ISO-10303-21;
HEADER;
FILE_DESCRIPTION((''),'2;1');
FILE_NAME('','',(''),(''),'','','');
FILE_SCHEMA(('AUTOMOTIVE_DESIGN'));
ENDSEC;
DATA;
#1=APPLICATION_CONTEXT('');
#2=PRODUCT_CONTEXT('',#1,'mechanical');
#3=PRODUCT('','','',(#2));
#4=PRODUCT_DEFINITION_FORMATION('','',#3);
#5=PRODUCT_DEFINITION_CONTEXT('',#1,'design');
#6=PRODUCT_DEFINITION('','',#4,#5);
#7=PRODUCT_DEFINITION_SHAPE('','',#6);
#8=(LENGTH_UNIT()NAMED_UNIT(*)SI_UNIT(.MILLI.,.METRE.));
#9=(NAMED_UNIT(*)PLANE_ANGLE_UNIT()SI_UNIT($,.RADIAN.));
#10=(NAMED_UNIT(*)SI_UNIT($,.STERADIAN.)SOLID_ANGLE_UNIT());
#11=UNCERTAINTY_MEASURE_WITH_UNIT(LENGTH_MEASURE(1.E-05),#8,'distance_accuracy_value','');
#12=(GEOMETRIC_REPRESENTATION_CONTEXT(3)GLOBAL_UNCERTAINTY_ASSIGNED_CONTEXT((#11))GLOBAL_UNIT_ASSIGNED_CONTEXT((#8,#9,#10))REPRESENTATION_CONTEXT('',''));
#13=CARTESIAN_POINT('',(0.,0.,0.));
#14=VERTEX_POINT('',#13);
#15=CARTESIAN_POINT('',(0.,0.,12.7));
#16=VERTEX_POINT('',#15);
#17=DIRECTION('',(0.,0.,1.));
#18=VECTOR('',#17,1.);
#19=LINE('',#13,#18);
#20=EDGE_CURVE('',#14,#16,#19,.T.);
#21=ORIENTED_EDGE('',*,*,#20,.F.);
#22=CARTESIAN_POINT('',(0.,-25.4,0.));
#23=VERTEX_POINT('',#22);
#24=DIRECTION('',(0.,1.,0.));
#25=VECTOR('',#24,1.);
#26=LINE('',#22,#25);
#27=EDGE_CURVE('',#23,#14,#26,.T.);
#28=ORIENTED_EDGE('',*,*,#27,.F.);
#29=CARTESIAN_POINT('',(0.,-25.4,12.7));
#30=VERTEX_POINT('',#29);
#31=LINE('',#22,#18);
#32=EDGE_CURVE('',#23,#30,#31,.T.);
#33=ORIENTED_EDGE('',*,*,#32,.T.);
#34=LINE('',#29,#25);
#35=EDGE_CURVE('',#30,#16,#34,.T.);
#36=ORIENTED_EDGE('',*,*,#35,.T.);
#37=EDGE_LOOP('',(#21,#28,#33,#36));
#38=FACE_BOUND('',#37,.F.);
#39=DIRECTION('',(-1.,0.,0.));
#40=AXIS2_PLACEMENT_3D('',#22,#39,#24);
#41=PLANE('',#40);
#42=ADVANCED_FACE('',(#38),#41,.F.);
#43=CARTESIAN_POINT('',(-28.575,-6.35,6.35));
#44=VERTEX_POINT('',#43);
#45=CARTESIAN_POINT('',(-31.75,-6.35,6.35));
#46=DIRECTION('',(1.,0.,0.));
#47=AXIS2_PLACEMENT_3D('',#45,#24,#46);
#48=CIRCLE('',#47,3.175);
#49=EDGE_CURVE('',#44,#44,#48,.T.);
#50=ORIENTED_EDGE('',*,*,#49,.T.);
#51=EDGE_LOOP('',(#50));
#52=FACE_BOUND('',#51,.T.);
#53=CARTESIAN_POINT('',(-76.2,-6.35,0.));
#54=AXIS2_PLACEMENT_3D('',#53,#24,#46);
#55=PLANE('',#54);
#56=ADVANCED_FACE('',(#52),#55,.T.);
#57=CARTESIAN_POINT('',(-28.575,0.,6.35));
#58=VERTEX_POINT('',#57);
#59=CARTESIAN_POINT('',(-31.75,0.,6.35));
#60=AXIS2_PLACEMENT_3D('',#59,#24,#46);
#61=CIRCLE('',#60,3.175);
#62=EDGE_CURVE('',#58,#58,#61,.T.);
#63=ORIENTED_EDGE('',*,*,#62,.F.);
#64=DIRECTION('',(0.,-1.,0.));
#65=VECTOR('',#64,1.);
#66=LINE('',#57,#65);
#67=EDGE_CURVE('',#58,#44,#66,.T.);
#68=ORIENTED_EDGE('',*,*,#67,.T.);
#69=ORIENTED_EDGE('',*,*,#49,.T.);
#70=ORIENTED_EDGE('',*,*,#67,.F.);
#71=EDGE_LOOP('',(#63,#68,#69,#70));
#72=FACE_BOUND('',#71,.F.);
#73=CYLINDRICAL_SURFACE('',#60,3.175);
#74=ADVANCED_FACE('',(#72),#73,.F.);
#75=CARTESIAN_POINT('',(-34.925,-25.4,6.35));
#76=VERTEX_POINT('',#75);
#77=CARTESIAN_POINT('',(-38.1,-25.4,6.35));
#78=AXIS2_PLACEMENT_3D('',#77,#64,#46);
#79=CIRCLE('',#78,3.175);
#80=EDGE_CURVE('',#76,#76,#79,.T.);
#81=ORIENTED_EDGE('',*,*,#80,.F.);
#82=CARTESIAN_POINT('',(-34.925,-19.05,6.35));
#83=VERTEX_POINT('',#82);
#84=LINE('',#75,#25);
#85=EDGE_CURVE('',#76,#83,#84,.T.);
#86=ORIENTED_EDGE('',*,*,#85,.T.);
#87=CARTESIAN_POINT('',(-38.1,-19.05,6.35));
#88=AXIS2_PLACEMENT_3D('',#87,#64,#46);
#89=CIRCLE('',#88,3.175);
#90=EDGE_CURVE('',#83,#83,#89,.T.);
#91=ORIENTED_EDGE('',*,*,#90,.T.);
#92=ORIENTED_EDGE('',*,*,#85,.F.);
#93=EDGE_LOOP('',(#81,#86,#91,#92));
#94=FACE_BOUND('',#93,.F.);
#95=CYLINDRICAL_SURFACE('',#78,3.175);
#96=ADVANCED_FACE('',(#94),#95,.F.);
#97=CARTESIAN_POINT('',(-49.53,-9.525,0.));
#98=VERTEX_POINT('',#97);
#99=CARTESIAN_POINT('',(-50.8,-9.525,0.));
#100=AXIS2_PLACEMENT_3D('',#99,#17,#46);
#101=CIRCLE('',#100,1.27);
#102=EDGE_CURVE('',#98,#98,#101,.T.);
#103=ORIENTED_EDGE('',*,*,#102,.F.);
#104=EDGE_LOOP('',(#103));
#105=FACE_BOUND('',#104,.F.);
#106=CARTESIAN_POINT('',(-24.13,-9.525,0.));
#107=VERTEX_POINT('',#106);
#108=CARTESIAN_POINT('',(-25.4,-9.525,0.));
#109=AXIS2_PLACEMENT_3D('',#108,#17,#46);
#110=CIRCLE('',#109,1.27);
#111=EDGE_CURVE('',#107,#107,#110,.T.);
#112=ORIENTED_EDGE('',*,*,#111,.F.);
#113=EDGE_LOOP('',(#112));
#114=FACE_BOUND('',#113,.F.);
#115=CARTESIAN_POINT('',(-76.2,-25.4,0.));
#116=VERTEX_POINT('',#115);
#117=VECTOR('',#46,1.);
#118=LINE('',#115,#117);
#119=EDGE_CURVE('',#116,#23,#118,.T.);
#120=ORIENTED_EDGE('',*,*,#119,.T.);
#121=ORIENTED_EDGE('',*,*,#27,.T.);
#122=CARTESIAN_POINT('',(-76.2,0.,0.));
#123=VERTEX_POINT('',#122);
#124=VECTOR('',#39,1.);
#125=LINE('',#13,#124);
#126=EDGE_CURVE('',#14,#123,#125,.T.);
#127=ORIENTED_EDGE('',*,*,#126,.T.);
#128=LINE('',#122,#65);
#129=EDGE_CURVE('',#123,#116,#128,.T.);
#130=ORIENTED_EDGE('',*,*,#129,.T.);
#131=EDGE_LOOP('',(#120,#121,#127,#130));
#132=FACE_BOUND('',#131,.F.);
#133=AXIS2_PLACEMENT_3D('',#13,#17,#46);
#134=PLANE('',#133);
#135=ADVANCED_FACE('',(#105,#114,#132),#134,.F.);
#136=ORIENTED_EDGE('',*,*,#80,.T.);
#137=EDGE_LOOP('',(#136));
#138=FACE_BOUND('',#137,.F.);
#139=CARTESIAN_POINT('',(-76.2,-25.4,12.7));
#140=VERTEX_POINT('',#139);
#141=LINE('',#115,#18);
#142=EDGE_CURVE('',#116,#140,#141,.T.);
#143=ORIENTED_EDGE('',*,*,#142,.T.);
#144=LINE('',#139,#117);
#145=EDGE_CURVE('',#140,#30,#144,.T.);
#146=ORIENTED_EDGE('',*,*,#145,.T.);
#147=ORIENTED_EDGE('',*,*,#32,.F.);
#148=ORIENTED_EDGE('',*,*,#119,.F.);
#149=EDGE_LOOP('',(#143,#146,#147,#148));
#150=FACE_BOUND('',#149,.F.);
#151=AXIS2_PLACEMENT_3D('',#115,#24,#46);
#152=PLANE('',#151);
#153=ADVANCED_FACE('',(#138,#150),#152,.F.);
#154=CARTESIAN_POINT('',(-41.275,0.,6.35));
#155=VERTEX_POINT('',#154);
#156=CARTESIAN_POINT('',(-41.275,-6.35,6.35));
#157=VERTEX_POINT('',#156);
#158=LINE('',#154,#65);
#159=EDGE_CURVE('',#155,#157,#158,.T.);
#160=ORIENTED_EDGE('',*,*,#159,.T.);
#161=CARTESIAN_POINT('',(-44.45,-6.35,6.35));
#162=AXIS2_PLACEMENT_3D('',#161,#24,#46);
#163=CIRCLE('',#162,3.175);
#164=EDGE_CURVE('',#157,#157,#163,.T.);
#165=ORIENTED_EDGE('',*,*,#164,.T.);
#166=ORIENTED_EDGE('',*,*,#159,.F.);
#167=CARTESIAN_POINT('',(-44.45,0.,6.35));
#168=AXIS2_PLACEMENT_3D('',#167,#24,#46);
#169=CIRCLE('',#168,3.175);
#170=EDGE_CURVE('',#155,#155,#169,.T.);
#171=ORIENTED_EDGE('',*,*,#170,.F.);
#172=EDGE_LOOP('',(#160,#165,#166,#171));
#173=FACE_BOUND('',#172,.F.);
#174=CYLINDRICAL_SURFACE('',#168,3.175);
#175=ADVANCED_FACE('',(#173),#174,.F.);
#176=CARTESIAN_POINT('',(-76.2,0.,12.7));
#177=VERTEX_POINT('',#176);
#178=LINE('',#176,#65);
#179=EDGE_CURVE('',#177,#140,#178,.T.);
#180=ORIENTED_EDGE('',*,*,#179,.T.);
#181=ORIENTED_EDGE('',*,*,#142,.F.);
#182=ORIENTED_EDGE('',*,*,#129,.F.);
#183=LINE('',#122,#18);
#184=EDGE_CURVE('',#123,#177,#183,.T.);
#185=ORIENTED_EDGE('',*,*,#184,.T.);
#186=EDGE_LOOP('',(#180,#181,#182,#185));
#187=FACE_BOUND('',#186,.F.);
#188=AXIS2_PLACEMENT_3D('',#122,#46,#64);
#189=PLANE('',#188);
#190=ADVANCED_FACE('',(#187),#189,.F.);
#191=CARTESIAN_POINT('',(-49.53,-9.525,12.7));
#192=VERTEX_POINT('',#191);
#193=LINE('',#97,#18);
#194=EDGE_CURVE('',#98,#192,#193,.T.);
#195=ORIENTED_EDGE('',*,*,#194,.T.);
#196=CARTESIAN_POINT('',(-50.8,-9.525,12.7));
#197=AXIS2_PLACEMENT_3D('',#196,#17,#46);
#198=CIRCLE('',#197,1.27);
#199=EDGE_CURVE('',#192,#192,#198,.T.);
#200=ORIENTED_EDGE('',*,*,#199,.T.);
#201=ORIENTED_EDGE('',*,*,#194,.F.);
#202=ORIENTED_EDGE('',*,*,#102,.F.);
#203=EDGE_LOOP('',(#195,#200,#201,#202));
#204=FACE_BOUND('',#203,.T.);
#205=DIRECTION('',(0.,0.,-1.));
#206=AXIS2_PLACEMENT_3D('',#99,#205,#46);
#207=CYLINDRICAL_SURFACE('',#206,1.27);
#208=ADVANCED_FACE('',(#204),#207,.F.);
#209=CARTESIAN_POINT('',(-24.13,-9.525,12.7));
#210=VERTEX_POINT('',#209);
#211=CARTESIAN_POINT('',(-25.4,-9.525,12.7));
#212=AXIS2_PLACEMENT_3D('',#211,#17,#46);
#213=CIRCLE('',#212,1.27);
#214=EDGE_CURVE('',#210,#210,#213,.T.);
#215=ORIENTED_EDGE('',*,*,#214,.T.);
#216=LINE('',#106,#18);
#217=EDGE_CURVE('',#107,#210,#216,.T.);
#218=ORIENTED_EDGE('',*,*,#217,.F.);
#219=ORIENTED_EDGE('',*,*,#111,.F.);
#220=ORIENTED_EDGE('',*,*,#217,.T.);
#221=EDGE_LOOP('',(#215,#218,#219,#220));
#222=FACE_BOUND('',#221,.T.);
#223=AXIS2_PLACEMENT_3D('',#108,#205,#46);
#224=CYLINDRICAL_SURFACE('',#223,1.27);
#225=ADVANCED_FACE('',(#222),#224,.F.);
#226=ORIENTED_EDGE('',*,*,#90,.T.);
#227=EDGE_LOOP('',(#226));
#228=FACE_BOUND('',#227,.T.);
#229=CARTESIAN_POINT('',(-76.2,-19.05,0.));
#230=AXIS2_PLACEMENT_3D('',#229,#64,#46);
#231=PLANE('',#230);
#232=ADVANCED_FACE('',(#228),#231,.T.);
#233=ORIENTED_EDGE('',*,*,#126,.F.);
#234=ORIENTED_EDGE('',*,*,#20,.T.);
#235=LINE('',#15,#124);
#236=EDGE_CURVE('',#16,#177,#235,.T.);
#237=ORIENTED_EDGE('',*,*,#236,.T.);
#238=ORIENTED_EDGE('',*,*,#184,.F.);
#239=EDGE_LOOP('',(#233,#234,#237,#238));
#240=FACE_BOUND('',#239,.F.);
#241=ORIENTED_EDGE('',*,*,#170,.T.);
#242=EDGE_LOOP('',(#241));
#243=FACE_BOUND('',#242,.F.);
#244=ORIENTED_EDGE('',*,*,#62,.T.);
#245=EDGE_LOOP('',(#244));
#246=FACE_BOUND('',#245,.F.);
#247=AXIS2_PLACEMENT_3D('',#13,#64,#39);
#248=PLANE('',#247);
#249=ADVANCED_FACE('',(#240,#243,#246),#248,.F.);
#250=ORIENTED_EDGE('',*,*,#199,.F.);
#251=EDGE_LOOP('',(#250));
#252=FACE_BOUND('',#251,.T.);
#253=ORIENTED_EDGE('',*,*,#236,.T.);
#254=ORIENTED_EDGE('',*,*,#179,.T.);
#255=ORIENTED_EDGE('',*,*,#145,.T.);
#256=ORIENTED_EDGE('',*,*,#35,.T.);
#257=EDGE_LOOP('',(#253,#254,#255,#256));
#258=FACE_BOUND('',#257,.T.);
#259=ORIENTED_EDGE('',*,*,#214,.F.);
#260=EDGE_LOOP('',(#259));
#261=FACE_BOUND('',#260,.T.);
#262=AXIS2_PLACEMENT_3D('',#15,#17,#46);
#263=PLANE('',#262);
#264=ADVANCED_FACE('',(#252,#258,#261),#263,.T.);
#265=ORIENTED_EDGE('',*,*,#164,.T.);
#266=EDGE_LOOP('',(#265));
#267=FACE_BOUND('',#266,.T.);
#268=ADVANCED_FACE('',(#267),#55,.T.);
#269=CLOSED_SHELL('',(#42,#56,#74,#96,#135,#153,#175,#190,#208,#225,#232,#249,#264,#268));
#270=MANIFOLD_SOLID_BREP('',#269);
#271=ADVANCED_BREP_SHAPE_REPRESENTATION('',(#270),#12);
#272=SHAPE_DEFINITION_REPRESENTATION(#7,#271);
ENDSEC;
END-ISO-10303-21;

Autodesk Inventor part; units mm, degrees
ref_plane "YZ Plane" through (0, 0, 0) normal (1, 0, 0) x (0, 1, 0)
ref_plane "XZ Plane" through (0, 0, 0) normal (0, 1, 0) x (-1, 0, 0)
ref_plane "XY Plane" through (0, 0, 0) normal (0, 0, 1) x (1, 0, 0)
sketch "Sketch1" plane through (0, 0, 0) normal (0, 0, 1) x (1, 0, 0)
  line L0 (0, 0) -> (-76.2, 0)
  line L1 (-76.2, 0) -> (-76.2, -25.4)
  line L2 (-76.2, -25.4) -> (0, -25.4)
  line L3 (0, -25.4) -> (0, 0)
  circle A0 centre (-50.8, -9.525) radius 1.27
  circle A1 centre (-25.4, -9.525) radius 1.27
  dimension "d0" = 76.2
  dimension "d1" = 25.4
  dimension "d2" = 25.4
  dimension "d3" = 25.4
  dimension "d4" = 2.54
  dimension "d5" = 9.525
  dimension "d6" = 9.525
extrude "Extrusion1" add sketch "Sketch1" along normal blind 12.7
sketch "Sketch2" plane through (-76.2, 0, 0) normal (0, 1, 0) x (1, 0, 0)
  circle A0 centre (31.75, -6.35) radius 3.175
  circle A1 centre (44.45, -6.35) radius 3.175
  line L0 (0, 0) -> (76.2, 0) projected
  line L1 (0, 0) -> (0, -12.7) projected
  line L2 (76.2, 0) -> (76.2, -12.7) projected
  dimension "d9" = 6.35
  dimension "d10" = 6.35
  dimension "d11" = 6.35
  dimension "d12" = 6.35
  dimension "d13" = 31.75
  dimension "d14" = 31.75
extrude "Extrusion2" cut sketch "Sketch2" against normal blind 6.35
sketch "Sketch3" plane through (-76.2, -25.4, 0) normal (0, -1, 0) x (1, 0, 0)
  circle A0 centre (38.1, 6.35) radius 3.175
  line L0 (76.2, 0) -> (76.2, 12.7) projected
  line L1 (0, 0) -> (76.2, 0) projected
  dimension "d17" = 6.35
  dimension "d18" = 38.1
  dimension "d19" = 6.35
extrude "Extrusion3" cut sketch "Sketch3" against normal blind 6.35
properties part number "solenoid valve" material "PC/ABS Plastic"
